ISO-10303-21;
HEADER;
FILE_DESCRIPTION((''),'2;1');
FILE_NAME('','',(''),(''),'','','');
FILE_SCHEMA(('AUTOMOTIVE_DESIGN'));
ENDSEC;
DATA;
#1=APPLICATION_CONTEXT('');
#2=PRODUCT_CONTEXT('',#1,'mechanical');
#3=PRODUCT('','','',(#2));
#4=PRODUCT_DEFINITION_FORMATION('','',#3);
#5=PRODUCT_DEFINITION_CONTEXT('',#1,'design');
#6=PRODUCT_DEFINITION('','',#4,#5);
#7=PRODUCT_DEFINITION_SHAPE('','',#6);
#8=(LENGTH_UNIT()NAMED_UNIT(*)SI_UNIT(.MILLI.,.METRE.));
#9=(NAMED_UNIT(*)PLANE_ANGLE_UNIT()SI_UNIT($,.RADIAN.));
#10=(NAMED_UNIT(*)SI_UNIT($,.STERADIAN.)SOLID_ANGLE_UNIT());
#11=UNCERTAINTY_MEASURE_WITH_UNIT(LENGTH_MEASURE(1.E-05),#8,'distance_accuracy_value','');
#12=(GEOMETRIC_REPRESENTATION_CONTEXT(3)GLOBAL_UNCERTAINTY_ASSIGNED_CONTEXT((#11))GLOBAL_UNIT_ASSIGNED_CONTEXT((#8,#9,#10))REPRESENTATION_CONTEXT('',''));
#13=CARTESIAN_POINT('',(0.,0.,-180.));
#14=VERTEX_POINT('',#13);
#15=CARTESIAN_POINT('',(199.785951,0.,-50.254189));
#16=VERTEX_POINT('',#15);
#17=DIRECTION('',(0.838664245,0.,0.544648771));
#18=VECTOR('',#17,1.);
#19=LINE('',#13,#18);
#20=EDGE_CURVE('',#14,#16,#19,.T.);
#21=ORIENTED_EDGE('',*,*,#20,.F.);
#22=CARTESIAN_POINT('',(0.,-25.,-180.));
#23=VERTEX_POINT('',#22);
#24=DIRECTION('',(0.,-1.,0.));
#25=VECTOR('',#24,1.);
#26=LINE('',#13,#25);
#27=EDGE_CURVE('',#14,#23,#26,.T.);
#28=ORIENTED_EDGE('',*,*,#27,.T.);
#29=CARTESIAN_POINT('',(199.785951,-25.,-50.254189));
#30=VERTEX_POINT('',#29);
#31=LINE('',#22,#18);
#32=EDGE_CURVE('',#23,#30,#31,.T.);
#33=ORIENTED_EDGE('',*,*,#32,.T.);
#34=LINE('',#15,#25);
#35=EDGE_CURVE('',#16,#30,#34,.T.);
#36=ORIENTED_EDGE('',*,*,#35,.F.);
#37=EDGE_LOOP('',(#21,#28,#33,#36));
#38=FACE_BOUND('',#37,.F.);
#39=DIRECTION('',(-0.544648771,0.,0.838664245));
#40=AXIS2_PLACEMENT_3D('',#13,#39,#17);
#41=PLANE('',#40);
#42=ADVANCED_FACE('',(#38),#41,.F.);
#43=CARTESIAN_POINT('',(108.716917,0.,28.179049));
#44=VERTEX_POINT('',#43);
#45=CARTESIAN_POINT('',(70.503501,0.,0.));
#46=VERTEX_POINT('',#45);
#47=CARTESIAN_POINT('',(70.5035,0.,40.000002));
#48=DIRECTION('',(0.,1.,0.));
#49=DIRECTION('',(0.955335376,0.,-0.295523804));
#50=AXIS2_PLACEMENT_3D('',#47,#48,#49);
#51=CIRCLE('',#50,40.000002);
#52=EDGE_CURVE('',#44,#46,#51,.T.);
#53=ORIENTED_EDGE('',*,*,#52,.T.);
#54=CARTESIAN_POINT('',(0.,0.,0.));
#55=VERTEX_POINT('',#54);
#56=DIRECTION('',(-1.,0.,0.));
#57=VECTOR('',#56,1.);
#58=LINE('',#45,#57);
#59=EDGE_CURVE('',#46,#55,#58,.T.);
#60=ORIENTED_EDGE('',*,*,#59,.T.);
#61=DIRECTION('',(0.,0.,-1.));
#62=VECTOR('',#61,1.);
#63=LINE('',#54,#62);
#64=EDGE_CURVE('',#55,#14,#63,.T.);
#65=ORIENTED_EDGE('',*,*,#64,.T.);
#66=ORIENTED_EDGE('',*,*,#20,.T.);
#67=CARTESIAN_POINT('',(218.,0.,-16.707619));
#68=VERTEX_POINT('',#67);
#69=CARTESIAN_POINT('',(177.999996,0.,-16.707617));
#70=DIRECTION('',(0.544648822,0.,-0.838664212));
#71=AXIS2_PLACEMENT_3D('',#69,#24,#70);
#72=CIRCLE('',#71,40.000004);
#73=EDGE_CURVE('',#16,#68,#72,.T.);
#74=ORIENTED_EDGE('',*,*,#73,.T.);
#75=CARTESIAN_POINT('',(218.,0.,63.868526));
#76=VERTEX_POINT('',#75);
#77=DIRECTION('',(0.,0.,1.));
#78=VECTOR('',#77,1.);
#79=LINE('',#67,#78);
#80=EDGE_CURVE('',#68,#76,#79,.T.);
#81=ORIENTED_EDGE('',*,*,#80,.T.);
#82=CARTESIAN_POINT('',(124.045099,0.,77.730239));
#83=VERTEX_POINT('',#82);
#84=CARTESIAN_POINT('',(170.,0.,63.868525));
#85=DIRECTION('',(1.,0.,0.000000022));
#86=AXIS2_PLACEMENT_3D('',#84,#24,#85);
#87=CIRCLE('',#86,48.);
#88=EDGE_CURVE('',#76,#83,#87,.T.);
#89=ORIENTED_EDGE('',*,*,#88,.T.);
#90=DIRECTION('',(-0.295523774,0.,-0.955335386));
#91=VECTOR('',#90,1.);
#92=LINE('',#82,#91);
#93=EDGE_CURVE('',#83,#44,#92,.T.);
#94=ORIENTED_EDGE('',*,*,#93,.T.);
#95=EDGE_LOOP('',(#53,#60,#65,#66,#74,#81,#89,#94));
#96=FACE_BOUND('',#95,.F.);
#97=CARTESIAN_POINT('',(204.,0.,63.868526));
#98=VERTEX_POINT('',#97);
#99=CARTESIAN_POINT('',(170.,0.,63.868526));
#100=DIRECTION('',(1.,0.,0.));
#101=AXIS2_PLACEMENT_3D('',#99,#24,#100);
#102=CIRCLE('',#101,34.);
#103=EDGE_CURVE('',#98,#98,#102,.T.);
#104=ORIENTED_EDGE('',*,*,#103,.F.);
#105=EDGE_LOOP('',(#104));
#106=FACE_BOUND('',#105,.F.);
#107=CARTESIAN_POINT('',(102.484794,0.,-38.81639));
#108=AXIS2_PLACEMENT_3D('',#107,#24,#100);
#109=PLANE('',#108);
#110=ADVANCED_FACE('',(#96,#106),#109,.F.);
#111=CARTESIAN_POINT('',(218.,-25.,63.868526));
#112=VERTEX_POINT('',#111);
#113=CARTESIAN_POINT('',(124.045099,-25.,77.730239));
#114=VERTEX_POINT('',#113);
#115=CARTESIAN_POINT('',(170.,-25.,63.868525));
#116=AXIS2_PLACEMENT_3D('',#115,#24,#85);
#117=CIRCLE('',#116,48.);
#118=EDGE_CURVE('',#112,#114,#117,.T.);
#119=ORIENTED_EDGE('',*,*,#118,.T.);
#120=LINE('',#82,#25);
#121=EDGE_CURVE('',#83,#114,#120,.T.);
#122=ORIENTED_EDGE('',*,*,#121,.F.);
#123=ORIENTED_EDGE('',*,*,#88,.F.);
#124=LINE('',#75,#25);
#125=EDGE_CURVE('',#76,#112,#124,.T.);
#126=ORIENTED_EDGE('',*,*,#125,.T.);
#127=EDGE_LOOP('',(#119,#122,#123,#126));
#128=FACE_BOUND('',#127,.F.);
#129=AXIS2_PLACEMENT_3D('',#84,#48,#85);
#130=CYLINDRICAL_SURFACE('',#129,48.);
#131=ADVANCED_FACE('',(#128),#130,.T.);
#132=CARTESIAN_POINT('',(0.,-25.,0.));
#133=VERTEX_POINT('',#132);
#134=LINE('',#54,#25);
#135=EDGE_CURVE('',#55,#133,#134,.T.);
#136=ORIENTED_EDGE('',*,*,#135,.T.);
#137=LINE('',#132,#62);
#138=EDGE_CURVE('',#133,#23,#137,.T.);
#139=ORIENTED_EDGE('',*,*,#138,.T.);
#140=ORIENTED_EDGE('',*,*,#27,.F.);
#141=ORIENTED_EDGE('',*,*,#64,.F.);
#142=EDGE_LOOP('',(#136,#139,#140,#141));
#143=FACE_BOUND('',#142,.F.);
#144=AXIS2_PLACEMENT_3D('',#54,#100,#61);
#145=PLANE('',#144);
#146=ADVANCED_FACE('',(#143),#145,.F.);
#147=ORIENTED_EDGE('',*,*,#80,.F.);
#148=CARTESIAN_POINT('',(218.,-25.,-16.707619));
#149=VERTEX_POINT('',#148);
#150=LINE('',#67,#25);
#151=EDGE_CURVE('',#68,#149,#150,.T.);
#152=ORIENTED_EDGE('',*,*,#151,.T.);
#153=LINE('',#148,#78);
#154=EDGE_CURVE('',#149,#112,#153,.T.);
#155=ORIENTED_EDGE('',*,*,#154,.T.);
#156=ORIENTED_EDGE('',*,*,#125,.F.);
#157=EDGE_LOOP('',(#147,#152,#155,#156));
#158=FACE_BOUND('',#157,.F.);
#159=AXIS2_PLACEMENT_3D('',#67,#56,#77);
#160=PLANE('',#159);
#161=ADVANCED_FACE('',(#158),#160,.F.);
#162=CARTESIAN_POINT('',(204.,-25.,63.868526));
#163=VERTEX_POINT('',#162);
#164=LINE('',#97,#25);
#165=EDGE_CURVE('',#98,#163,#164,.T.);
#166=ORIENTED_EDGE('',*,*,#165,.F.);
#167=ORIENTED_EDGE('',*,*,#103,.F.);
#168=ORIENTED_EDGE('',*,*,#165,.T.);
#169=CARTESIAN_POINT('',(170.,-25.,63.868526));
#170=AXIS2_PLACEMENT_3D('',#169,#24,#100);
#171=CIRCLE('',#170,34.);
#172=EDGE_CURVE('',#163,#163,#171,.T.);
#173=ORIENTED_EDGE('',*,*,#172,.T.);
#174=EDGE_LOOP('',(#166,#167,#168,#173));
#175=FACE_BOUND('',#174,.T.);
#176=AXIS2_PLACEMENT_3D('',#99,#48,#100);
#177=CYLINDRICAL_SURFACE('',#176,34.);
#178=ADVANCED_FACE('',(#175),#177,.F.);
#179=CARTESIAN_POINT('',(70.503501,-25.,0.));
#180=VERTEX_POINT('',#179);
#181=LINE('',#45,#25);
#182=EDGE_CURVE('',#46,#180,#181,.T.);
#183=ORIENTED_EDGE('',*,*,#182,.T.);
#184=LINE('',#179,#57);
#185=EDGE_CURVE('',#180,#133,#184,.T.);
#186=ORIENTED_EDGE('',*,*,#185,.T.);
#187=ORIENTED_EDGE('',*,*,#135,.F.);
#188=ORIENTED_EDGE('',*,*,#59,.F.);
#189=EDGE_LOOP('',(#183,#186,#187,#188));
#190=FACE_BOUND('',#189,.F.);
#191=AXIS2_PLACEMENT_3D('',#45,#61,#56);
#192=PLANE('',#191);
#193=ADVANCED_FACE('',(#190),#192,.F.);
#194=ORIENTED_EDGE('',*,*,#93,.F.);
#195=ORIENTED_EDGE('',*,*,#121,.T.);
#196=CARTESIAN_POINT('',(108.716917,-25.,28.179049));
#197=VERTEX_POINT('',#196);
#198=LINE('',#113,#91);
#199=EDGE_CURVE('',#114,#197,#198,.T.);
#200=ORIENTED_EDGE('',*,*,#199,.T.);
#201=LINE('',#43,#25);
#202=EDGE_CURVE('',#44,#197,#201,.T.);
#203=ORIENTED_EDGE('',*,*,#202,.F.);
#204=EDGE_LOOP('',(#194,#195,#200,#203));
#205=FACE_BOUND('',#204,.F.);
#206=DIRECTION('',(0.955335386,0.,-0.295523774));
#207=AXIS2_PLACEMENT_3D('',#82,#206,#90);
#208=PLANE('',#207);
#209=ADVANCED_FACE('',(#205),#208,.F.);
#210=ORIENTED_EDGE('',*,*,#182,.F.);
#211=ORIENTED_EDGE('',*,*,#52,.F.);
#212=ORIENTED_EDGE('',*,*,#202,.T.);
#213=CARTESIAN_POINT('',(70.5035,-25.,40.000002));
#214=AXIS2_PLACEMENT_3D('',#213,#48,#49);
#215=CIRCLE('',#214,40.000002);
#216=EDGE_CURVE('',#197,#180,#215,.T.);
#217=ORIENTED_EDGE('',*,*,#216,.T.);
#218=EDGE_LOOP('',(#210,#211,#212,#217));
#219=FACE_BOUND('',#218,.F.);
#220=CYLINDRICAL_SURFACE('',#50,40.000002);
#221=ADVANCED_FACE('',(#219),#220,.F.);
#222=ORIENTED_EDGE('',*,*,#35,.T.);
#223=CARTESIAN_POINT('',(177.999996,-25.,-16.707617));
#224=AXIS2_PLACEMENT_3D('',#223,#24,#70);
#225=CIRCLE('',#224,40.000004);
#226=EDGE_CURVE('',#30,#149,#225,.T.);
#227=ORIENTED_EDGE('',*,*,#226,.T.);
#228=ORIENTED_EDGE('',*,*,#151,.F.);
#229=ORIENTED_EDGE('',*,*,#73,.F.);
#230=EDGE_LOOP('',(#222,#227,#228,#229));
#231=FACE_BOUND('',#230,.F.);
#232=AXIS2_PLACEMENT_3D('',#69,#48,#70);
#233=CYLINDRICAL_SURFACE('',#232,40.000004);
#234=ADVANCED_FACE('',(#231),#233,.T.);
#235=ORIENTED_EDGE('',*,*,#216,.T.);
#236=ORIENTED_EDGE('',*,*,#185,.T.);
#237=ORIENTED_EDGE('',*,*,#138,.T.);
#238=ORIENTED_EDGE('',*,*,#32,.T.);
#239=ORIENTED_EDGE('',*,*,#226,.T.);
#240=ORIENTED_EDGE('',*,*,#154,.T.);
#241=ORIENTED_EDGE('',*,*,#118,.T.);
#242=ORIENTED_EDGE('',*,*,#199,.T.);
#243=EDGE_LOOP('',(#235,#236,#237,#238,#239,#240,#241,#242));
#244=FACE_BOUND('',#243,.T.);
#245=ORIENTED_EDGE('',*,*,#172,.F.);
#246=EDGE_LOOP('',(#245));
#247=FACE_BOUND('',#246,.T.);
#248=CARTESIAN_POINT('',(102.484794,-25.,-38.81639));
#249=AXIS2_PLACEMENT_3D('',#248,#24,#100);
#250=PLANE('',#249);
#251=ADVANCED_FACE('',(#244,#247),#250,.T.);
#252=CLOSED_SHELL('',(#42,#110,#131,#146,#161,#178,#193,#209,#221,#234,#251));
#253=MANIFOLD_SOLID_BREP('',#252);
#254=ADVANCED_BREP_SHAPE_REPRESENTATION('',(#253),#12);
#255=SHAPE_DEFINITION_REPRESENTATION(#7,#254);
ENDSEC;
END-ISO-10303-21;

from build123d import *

# Parameters (mm, degrees)
F0_R     = 34
F1_DEPTH = 25
F2_DEPTH = 25


with BuildPart() as f1:
    # F0 (on Front) → F1 (new body)
    with BuildSketch(Plane.XZ):
        with BuildLine():
            Line((70.503501, 0), (0, 0))
            Line((0, 0), (0, -180))
            Line((0, -180), (199.785951, -50.254189))
            ThreePointArc((199.785951, -50.254189), (213.152795, -35.793765), (218, -16.707619))
            Line((218, -16.707619), (218, 63.868526))
            ThreePointArc((218, 63.868526), (162.994118, 16.382553), (124.045099, 77.730239))
            Line((124.045099, 77.730239), (108.716917, 28.179049))
            ThreePointArc((108.716917, 28.179049), (94.243362, 7.806538), (70.503501, 0))
        make_face()
        with BuildLine():
            ThreePointArc((218, 63.868526), (177.005882, 111.354498), (124.045099, 77.730239))
            ThreePointArc((124.045099, 77.730239), (162.994118, 16.382553), (218, 63.868526))
        make_face()
        with Locations((170, 63.868526)):
            Circle(F0_R, mode=Mode.SUBTRACT)
    extrude(amount=F1_DEPTH)

    # F0 (on Front) → F2 (join)
    with BuildSketch(Plane.XZ):
        with BuildLine():
            Line((70.503501, 0), (0, 0))
            Line((0, 0), (0, -180))
            Line((0, -180), (199.785951, -50.254189))
            ThreePointArc((199.785951, -50.254189), (213.152795, -35.793765), (218, -16.707619))
            Line((218, -16.707619), (218, 63.868526))
            ThreePointArc((218, 63.868526), (162.994118, 16.382553), (124.045099, 77.730239))
            Line((124.045099, 77.730239), (108.716917, 28.179049))
            ThreePointArc((108.716917, 28.179049), (94.243362, 7.806538), (70.503501, 0))
        make_face()
        with BuildLine():
            ThreePointArc((218, 63.868526), (177.005882, 111.354498), (124.045099, 77.730239))
            ThreePointArc((124.045099, 77.730239), (162.994118, 16.382553), (218, 63.868526))
        make_face()
        with Locations((170, 63.868526)):
            Circle(F0_R, mode=Mode.SUBTRACT)
    extrude(amount=F2_DEPTH)


solid = f1.part
